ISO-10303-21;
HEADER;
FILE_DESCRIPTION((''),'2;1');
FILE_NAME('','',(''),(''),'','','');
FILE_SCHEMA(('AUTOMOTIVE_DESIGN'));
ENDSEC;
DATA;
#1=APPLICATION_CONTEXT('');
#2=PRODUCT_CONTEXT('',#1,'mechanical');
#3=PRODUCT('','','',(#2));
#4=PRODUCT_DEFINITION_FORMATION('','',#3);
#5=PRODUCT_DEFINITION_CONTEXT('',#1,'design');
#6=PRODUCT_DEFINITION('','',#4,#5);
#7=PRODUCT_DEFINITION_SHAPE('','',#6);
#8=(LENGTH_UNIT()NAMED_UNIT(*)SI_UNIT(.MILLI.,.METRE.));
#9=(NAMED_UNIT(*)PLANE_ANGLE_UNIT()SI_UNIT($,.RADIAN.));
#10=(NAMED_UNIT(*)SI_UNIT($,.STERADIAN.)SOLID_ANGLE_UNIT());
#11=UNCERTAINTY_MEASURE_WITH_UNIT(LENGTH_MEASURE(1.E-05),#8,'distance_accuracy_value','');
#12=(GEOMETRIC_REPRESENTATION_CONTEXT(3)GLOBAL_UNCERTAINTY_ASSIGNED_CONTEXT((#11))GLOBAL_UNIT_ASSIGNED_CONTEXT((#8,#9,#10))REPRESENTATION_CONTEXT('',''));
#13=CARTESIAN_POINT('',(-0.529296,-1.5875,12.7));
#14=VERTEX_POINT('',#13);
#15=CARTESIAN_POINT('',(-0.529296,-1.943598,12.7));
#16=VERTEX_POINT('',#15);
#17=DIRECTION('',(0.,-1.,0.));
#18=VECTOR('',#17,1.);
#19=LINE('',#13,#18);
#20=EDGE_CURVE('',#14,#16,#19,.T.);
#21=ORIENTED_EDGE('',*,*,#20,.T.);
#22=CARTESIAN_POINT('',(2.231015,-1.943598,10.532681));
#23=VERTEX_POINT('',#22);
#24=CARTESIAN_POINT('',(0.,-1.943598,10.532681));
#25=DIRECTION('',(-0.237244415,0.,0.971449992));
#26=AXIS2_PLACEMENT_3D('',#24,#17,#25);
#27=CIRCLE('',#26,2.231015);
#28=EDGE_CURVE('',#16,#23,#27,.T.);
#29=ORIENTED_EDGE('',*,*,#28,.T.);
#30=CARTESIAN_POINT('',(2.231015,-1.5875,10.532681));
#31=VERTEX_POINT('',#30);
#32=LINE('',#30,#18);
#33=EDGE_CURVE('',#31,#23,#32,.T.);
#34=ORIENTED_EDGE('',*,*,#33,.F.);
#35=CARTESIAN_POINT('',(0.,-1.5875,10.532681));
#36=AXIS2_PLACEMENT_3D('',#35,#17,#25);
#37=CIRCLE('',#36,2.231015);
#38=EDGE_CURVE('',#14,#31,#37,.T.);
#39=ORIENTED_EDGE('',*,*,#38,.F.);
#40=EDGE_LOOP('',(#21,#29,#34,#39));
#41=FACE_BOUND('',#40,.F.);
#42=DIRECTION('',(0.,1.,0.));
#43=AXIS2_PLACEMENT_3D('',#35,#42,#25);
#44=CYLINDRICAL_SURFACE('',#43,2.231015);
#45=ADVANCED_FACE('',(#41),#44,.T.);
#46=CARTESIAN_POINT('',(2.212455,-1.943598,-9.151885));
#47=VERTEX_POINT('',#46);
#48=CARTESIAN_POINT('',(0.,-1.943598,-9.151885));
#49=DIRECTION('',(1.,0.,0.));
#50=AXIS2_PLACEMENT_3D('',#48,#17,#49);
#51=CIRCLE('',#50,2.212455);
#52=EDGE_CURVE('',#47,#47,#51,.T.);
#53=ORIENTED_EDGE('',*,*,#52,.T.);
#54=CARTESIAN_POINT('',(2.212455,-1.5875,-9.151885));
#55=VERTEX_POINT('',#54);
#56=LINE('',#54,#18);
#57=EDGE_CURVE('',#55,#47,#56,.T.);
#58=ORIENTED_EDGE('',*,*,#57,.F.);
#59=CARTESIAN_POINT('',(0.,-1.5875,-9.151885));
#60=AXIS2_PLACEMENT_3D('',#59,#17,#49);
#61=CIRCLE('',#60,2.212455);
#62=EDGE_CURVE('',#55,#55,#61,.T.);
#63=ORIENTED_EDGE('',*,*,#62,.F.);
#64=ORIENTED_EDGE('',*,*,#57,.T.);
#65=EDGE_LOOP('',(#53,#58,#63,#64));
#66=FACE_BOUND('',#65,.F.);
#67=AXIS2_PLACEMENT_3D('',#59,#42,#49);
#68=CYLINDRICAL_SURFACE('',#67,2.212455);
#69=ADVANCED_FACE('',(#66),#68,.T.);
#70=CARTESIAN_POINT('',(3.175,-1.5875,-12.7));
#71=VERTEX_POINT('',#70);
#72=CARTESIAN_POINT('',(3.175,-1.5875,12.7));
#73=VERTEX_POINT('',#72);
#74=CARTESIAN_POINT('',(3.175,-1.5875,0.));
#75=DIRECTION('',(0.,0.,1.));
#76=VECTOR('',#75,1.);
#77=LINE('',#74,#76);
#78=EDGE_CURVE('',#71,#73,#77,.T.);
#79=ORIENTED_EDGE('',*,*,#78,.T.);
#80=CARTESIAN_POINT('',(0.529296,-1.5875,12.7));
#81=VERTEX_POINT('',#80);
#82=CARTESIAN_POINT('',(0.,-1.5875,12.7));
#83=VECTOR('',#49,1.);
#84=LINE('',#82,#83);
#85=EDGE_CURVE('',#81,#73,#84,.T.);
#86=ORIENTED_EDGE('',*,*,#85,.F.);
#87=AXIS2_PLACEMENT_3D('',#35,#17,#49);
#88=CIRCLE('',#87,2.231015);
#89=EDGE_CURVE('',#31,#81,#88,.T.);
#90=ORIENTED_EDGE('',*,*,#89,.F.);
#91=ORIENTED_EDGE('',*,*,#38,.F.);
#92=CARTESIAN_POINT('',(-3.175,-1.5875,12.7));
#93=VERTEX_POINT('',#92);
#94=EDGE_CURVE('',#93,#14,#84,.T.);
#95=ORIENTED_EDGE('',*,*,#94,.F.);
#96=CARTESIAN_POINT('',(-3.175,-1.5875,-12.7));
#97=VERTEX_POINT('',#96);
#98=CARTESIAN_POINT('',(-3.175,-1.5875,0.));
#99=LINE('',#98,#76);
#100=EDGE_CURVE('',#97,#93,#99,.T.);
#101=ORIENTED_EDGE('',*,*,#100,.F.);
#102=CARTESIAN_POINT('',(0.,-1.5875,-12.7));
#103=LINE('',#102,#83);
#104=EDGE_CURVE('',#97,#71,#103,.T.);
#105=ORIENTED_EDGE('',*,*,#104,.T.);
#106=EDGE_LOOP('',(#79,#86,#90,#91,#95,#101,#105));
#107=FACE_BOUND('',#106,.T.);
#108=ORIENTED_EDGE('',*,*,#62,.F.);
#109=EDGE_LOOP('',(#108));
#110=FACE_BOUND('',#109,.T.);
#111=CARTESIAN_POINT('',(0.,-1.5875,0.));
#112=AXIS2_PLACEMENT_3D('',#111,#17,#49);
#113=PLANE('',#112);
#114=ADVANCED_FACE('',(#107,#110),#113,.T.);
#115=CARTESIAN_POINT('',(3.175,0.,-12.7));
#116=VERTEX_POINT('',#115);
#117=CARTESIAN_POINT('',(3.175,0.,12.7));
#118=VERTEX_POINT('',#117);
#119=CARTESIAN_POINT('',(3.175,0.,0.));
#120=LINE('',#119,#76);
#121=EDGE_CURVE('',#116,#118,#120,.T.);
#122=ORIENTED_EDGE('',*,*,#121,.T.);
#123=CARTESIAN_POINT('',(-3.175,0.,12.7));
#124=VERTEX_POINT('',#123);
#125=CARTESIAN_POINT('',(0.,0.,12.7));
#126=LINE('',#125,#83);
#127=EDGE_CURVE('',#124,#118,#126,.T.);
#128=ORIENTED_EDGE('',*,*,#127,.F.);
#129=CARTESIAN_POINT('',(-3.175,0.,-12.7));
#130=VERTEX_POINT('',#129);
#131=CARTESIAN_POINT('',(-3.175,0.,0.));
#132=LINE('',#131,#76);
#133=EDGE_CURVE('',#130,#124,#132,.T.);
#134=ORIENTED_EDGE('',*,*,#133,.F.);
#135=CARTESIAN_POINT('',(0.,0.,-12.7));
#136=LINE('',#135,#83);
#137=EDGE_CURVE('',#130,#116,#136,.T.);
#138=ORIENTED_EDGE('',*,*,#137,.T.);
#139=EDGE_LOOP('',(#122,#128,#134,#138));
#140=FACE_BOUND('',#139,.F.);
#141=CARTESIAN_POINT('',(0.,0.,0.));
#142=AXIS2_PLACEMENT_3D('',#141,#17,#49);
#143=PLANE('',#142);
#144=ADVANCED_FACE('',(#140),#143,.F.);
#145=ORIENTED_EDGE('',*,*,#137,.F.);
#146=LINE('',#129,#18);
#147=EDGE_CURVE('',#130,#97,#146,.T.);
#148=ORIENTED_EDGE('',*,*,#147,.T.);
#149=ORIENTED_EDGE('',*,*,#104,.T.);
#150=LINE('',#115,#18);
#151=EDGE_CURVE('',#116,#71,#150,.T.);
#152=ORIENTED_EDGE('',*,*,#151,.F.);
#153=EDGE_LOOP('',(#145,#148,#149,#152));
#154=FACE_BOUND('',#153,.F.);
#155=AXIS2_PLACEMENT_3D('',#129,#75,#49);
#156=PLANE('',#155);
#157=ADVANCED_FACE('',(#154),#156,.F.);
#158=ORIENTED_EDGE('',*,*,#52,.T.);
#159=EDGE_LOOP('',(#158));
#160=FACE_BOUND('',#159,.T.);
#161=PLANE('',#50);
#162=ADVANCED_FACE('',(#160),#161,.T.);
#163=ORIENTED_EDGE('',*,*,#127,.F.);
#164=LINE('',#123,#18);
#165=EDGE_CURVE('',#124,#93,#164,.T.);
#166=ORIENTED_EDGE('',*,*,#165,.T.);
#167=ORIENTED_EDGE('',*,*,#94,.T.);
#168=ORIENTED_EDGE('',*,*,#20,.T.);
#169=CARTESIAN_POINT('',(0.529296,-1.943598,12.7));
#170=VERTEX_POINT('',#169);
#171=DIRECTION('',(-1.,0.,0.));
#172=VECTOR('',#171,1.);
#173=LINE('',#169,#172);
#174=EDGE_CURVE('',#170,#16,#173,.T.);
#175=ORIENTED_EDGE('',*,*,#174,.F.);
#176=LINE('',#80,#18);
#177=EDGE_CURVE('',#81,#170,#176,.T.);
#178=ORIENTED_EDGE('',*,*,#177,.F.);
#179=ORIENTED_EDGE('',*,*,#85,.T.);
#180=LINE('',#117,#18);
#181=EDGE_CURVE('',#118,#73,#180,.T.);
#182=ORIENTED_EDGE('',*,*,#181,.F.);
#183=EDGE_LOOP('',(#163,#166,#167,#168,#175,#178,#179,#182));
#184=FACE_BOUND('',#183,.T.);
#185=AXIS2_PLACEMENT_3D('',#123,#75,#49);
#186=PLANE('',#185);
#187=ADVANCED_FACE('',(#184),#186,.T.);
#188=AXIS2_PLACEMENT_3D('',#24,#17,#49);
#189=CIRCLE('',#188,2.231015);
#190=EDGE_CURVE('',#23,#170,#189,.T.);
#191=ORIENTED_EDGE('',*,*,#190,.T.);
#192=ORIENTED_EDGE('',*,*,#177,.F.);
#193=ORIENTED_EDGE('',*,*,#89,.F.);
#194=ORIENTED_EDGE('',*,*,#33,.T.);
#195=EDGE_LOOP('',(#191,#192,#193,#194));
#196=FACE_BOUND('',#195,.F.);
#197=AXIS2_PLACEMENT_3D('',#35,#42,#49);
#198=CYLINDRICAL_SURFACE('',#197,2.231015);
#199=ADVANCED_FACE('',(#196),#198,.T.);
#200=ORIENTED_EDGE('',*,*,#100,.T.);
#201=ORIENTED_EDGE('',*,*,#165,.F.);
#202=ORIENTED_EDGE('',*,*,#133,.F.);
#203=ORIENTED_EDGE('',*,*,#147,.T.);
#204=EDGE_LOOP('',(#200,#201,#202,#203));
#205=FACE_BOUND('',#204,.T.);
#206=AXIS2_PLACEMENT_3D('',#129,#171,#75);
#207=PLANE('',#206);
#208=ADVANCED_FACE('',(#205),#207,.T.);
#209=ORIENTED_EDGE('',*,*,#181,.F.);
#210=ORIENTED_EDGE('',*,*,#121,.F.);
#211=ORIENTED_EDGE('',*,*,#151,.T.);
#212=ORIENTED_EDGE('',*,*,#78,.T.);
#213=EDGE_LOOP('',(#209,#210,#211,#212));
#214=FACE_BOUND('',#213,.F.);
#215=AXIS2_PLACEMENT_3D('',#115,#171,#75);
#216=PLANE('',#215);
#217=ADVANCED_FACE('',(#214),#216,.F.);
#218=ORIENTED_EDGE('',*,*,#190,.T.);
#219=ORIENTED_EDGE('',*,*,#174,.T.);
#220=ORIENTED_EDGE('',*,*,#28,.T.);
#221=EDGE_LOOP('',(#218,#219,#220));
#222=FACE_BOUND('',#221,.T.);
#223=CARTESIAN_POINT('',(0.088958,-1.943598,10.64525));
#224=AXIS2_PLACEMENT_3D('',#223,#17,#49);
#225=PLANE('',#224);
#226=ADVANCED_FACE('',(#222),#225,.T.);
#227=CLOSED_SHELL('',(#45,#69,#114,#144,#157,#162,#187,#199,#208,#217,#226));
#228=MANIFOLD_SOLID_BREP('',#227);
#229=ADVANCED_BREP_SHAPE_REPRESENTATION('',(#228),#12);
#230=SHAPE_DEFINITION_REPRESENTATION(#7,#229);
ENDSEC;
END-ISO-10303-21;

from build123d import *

# Parameters (mm, degrees)
F0_W     = 6.35
F0_H     = 25.4
F1_DEPTH = 1.5875
F2_R     = 2.21245533
F3_DEPTH = 0.3560978221


with BuildPart() as f1:
    # F0 (on Front) → F1 (new body)
    with BuildSketch(Plane.XZ):
        Rectangle(F0_W, F0_H)
    extrude(amount=F1_DEPTH)

    # F2 (on face) → F3 (join)
    with BuildSketch(Plane.XZ.offset(1.5875)):
        with Locations((0, -9.151885286)):
            Circle(F2_R)
        with BuildLine():
            ThreePointArc((-0.5292957498, 12.7), (-1.3777807408, 8.7779312566), (2.2310145846, 10.5326808989))
            ThreePointArc((2.2310145846, 10.5326808989), (1.7547496423, 11.9104616397), (0.5292957498, 12.7))
            Line((0.5292957498, 12.7), (-0.5292957498, 12.7))
        make_face()
    extrude(amount=F3_DEPTH)


solid = f1.part
